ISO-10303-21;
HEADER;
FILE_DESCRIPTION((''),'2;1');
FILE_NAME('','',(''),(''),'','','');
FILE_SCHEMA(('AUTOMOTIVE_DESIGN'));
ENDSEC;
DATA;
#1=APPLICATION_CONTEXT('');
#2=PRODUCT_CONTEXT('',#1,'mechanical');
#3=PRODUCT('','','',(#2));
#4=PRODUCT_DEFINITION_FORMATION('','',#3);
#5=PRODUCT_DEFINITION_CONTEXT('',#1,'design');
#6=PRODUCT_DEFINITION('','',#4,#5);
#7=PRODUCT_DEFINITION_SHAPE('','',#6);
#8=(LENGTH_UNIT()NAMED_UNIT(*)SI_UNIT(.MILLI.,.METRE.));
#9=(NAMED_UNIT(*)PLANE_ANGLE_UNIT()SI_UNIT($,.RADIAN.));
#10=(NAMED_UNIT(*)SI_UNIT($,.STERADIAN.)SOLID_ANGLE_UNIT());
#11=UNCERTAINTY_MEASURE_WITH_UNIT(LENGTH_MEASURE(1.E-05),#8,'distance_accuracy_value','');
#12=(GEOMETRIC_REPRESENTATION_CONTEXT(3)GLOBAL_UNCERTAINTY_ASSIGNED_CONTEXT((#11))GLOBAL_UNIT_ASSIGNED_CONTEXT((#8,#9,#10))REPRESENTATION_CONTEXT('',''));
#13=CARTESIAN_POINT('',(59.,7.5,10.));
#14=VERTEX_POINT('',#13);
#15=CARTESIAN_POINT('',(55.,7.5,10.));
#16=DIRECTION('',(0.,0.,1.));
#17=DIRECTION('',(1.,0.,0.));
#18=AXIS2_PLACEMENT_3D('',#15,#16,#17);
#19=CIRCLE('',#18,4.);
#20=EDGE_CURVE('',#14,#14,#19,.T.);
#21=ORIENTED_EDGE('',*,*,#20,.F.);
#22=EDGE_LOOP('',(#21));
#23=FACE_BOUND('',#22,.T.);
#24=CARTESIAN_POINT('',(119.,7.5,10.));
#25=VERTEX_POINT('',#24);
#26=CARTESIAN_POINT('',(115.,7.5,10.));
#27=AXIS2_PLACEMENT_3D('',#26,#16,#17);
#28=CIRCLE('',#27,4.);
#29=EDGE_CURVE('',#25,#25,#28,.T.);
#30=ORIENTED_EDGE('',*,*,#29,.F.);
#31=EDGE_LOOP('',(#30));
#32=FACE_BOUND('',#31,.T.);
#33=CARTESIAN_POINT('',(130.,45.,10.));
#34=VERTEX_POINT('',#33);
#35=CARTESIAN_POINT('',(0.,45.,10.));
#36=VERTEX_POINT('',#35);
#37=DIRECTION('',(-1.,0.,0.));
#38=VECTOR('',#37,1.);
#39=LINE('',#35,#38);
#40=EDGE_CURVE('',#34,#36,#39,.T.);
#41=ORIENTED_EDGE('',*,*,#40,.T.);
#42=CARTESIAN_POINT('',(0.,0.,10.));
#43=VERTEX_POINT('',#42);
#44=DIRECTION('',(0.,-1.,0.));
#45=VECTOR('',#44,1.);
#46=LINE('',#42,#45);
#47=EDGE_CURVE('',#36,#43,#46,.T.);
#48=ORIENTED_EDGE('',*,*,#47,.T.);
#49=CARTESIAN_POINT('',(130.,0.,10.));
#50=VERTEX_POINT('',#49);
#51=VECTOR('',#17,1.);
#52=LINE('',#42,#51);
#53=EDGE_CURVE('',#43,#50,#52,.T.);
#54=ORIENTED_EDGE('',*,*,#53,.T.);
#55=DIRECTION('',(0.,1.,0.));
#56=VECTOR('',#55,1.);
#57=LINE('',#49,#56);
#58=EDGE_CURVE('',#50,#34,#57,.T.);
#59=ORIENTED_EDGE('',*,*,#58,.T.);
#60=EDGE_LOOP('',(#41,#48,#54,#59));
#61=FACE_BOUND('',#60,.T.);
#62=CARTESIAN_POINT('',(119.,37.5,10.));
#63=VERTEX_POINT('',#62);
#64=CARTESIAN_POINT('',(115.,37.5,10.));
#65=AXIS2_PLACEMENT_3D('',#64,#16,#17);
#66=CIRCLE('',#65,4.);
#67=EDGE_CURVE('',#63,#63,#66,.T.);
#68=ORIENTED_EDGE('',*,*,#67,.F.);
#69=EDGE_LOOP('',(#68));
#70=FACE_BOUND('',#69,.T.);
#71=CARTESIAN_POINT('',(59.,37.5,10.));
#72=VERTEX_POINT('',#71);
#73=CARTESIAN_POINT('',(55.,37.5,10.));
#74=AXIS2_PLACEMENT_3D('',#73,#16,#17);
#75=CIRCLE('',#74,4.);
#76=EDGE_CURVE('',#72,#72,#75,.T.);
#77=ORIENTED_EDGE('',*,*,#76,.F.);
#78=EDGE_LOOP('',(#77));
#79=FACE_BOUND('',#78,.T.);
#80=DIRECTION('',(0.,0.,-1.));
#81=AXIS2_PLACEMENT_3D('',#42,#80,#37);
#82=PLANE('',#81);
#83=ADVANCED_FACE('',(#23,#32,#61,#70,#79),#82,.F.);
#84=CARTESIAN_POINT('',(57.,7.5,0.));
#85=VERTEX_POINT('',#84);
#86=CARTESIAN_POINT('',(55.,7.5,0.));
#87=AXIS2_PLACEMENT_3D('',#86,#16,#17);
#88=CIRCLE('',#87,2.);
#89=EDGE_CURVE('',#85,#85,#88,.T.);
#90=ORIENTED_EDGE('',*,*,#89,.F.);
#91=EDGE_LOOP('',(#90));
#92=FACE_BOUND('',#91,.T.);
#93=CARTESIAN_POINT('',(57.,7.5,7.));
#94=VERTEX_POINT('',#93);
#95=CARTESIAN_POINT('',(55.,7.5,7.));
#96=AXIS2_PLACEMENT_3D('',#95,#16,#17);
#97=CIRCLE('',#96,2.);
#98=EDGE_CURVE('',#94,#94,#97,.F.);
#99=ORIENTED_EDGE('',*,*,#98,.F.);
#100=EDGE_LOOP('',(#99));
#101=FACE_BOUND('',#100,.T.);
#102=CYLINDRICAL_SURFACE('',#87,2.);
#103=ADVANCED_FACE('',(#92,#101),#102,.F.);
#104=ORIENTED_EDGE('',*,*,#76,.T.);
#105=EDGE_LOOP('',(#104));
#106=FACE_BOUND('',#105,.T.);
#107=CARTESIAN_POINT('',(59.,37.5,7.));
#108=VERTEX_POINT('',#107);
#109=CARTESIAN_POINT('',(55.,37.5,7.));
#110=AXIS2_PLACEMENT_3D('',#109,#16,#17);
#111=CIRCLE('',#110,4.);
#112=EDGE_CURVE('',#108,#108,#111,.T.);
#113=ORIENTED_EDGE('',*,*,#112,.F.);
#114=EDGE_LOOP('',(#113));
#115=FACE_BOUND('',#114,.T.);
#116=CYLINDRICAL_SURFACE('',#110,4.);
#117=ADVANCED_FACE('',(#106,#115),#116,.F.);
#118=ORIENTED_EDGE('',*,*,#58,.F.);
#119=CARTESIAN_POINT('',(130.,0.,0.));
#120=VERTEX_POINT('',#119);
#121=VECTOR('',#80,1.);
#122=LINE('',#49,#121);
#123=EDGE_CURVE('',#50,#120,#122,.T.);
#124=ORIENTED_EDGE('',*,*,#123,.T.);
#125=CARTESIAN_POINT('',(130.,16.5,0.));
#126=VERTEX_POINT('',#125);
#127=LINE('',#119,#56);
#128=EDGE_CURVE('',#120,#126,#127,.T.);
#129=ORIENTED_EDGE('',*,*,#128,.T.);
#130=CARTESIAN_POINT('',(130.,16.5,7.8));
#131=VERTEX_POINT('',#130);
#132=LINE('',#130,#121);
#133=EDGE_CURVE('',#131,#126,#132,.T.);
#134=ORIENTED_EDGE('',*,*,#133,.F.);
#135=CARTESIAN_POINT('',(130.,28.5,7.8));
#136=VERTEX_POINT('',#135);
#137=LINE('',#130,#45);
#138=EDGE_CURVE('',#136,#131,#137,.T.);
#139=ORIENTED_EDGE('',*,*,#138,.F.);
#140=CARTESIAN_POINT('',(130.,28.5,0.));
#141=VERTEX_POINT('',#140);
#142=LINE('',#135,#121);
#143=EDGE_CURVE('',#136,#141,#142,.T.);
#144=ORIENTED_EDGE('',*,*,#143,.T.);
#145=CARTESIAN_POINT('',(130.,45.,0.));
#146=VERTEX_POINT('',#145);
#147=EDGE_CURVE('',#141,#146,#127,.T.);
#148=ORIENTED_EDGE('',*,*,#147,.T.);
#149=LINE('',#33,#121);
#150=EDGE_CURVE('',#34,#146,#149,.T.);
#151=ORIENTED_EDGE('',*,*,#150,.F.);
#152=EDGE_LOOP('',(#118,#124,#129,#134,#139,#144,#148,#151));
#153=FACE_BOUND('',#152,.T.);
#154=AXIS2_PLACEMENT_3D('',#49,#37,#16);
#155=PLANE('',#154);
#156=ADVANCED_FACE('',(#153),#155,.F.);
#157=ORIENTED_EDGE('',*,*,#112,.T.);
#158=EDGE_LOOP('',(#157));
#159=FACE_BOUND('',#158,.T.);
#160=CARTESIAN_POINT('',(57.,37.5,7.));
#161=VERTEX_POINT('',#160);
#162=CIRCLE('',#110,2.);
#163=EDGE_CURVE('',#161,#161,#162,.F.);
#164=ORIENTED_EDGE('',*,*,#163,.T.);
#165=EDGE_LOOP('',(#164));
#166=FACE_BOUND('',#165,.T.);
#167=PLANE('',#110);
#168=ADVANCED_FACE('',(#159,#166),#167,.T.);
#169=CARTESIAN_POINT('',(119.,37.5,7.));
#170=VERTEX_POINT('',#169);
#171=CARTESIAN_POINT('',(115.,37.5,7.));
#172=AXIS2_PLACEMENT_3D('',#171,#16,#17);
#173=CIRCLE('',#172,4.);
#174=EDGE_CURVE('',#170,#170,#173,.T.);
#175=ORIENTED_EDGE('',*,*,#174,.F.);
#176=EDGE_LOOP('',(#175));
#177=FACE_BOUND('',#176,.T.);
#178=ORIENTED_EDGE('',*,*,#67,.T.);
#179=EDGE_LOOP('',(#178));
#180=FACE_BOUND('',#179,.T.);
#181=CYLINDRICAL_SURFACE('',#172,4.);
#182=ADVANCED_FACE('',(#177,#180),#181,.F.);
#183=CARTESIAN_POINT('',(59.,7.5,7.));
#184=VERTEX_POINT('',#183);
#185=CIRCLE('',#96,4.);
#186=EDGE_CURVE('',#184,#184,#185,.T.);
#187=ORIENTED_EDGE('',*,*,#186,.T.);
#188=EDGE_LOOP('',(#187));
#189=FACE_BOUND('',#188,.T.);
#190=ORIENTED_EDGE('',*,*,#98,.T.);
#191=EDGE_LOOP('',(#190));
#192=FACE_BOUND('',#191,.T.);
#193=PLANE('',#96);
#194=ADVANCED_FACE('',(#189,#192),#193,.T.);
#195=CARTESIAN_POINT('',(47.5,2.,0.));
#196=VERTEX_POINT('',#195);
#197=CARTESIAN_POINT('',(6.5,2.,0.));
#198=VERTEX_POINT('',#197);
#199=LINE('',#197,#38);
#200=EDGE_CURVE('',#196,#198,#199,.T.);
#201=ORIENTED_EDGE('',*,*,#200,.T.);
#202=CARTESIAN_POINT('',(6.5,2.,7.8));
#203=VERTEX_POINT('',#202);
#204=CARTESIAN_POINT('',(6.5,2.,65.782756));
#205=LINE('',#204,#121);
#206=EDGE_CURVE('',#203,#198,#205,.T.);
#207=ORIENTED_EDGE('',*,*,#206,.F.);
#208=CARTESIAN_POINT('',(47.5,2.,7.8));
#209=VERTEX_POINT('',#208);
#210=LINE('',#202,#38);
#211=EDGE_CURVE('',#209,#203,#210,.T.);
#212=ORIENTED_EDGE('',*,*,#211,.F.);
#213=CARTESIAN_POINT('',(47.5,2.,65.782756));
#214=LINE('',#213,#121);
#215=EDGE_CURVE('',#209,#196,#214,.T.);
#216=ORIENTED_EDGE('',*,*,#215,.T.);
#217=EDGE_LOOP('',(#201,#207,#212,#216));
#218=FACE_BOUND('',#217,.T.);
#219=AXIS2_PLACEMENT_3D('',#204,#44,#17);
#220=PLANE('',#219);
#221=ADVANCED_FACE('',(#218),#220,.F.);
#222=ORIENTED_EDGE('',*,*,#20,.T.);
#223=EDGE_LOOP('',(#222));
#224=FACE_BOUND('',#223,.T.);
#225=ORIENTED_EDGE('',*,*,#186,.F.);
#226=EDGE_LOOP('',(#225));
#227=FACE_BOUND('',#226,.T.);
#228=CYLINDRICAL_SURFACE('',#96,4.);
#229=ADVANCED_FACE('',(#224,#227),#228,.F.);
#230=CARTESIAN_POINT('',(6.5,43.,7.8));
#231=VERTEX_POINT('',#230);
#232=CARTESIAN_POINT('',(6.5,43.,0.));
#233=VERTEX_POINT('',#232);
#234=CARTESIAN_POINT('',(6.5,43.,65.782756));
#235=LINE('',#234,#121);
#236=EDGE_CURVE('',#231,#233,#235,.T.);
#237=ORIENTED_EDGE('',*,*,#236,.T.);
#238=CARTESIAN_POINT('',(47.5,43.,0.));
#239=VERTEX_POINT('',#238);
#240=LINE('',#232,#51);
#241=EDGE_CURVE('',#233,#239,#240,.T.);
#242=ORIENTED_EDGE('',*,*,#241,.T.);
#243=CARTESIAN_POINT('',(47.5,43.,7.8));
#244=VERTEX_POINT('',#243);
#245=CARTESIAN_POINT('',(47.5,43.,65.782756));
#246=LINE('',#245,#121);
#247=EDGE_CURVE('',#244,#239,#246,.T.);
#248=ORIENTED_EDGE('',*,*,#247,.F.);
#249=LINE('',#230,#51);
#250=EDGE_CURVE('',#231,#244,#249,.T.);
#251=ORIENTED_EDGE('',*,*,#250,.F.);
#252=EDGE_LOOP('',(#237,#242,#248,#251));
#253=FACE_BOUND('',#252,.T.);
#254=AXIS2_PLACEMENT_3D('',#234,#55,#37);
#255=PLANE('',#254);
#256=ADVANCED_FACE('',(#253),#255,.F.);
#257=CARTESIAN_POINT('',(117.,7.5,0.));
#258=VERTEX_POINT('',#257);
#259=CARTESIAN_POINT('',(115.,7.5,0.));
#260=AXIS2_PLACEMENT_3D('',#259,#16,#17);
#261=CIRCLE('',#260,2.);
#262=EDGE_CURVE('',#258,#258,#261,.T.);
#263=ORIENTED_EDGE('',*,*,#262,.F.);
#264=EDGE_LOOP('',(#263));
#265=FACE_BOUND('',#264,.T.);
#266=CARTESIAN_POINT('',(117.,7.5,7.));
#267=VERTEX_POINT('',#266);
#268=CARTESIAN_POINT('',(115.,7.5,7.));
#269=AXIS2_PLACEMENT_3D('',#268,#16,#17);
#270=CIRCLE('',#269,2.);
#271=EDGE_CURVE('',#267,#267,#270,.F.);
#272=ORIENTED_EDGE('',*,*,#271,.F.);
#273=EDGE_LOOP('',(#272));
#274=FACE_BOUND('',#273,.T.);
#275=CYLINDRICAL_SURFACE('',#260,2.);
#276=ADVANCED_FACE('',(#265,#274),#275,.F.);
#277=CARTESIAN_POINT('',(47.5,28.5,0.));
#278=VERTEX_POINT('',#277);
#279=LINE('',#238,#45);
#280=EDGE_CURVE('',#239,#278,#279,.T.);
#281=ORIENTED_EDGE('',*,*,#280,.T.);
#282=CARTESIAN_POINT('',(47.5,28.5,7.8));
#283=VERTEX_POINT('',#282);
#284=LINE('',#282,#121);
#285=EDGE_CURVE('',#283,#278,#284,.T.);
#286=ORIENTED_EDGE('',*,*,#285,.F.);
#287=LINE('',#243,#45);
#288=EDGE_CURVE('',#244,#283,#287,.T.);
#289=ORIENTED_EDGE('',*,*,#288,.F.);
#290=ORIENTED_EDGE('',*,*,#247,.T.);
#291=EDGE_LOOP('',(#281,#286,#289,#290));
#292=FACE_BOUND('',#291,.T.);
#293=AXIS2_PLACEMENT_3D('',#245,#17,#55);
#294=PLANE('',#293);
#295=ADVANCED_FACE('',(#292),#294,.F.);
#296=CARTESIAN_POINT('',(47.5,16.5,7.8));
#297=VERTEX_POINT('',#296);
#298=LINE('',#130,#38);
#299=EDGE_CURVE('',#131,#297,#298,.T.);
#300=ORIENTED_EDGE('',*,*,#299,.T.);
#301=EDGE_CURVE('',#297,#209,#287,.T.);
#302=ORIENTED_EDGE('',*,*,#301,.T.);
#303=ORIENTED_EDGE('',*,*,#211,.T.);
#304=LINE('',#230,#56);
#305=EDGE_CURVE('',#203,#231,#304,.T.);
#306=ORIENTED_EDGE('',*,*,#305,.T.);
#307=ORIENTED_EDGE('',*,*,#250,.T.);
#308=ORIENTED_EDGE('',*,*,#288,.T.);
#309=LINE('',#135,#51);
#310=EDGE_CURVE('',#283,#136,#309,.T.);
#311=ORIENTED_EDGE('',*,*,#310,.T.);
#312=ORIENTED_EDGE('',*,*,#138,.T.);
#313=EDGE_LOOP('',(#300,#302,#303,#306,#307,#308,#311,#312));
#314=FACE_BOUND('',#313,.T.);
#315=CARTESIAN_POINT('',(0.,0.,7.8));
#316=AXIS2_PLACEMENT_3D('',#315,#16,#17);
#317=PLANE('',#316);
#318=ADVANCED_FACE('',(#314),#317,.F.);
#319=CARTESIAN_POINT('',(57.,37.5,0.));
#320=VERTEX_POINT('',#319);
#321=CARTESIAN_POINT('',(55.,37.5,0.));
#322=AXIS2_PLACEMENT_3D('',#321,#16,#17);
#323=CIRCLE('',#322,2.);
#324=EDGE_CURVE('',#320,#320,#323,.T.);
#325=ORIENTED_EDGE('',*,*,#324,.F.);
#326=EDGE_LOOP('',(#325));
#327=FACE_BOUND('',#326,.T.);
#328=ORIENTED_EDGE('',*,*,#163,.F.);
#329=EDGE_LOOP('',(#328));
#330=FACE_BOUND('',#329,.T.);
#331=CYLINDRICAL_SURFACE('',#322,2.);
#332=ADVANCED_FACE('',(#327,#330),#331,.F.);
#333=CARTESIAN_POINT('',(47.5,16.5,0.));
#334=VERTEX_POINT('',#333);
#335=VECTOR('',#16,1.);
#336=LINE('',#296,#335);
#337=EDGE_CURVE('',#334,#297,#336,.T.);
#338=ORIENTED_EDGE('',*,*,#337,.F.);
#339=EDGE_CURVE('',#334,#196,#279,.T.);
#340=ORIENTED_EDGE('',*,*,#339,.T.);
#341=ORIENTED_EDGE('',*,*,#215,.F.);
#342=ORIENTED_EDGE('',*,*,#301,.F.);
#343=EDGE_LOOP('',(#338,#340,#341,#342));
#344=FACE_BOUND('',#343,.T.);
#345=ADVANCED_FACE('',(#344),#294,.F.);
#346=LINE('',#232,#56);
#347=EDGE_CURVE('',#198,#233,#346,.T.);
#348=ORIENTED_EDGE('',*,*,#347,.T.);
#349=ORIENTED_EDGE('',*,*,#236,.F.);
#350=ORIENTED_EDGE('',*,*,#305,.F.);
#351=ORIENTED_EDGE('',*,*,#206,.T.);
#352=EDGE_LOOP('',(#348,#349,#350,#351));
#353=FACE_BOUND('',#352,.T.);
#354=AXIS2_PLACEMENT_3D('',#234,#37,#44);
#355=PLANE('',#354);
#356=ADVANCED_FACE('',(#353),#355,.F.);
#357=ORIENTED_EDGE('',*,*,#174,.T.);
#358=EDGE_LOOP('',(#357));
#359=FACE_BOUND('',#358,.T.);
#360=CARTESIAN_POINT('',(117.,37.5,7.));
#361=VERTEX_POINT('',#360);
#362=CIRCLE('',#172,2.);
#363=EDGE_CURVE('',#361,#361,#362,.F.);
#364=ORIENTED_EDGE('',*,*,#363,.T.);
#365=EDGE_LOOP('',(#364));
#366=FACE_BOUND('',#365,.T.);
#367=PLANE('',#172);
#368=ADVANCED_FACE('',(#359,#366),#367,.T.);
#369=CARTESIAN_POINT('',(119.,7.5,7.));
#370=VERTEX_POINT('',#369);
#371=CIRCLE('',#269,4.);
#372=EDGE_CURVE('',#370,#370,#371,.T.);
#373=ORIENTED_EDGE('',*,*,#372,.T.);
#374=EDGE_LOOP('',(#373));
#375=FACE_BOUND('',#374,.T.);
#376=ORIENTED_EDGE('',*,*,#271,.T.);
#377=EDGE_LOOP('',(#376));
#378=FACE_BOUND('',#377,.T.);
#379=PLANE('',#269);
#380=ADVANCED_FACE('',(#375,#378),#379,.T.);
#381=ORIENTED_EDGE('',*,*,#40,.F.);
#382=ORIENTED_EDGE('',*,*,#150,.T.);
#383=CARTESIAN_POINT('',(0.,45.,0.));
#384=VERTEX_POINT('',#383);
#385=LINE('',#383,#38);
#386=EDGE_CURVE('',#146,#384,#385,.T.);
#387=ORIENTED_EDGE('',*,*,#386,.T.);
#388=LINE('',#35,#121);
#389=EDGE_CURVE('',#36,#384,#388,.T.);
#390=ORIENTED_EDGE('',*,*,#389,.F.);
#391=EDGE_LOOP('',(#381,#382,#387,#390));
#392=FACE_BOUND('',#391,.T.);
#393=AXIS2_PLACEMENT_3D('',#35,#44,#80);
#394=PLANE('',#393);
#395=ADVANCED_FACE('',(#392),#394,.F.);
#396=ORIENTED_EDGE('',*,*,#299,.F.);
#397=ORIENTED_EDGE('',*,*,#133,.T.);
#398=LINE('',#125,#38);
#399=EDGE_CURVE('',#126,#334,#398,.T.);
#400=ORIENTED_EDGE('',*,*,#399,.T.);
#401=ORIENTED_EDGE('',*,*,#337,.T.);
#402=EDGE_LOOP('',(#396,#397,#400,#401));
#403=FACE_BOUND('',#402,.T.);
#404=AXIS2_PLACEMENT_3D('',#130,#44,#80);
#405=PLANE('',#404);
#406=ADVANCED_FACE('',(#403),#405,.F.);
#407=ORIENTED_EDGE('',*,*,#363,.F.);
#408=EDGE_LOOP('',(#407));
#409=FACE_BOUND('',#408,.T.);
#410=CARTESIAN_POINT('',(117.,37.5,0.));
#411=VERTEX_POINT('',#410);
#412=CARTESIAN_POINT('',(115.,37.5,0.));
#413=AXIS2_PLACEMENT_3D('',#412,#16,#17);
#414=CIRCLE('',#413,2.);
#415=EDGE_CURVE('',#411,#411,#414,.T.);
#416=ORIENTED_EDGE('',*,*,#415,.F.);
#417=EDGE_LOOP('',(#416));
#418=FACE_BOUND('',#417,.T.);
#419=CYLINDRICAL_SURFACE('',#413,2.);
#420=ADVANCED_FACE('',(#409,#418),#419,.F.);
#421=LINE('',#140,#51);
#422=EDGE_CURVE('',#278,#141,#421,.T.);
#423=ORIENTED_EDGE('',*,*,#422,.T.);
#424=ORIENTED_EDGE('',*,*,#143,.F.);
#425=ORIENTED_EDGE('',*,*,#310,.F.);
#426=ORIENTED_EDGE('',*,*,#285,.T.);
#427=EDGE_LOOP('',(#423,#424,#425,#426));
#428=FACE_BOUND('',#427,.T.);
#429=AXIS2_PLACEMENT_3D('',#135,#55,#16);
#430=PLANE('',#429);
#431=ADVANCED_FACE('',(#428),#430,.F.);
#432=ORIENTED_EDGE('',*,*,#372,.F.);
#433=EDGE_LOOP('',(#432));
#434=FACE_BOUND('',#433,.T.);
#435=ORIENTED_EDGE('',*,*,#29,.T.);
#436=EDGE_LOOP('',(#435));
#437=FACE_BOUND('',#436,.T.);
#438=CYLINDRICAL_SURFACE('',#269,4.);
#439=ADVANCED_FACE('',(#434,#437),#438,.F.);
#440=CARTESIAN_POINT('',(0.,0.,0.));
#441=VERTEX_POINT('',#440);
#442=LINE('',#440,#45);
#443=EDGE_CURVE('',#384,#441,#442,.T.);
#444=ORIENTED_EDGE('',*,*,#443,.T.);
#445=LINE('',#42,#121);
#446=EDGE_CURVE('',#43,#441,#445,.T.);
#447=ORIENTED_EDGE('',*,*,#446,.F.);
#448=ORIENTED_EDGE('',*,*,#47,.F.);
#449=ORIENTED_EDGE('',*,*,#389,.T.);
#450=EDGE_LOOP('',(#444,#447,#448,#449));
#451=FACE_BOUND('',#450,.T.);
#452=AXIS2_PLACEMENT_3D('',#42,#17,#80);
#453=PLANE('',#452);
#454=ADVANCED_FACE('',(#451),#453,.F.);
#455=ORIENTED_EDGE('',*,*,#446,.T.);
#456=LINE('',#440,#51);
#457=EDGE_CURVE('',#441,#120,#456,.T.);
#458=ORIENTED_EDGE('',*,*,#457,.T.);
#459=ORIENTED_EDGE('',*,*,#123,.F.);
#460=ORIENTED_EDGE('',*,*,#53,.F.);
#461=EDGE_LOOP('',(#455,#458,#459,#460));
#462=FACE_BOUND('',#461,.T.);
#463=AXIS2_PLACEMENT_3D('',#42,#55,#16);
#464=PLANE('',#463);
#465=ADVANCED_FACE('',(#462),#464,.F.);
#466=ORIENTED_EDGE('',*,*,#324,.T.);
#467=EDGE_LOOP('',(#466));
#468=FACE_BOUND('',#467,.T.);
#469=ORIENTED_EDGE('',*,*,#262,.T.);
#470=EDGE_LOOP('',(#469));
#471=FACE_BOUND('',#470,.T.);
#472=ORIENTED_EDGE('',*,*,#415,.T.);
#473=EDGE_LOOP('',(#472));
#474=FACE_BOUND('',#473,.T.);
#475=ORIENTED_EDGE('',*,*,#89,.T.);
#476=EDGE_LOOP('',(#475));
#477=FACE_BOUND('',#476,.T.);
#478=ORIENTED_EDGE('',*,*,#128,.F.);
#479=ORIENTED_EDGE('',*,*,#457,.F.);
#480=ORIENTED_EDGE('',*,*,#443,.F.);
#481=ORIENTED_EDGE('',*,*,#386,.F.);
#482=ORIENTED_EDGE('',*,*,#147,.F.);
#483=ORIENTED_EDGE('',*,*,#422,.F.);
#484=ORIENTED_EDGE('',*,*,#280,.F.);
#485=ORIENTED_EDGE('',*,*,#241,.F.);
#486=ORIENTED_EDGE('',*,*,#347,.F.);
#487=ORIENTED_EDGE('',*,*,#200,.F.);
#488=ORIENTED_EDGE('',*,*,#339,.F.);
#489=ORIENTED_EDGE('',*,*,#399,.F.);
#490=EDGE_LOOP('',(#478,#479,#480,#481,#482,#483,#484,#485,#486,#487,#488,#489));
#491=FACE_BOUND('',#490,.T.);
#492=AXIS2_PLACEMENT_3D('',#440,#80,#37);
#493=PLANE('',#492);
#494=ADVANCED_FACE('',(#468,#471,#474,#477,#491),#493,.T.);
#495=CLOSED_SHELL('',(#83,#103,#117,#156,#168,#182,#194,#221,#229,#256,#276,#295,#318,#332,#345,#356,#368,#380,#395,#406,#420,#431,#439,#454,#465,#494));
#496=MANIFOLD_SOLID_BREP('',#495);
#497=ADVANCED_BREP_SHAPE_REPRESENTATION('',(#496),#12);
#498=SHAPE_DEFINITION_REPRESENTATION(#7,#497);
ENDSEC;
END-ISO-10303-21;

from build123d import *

# Parameters (mm, degrees)
SKETCH1_W           = 130
SKETCH1_H           = 45
BOSS_EXTRUDE1_DEPTH = 10
SKETCH2_W           = 110
SKETCH2_H           = 12
CUT_EXTRUDE1_DEPTH  = 7.8
SKETCH4_R           = 2
CUT_EXTRUDE3_DEPTH  = 11
SKETCH5_R           = 4
CUT_EXTRUDE4_DEPTH  = 3
SKETCH6_W           = 41
SKETCH6_H           = 41
CUT_EXTRUDE5_DEPTH  = 7.8


with BuildPart() as part:
    # Sketch1 → Boss-Extrude1 (new body)
    with BuildSketch(Plane.XY):
        with Locations((65, 22.5)):
            Rectangle(SKETCH1_W, SKETCH1_H)
    extrude(amount=BOSS_EXTRUDE1_DEPTH)

    # Sketch2 → Cut-Extrude1 (cut)
    with BuildSketch(Plane(origin=(0, 0, 0), x_dir=(-1, 0, 0), z_dir=(0, 0, -1))):
        with Locations((-75, 22.5)):
            Rectangle(SKETCH2_W, SKETCH2_H)
    extrude(amount=-CUT_EXTRUDE1_DEPTH, mode=Mode.SUBTRACT)

    # Sketch4 → Cut-Extrude3 (cut, through all)
    with BuildSketch(Plane.XY.offset(10)):
        with Locations((55, 37.5)):
            Circle(SKETCH4_R)
        with Locations((115, 37.5)):
            Circle(SKETCH4_R)
        with Locations((115, 7.5)):
            Circle(SKETCH4_R)
        with Locations((55, 7.5)):
            Circle(SKETCH4_R)
    extrude(amount=-CUT_EXTRUDE3_DEPTH, mode=Mode.SUBTRACT)

    # Sketch5 → Cut-Extrude4 (cut)
    with BuildSketch(Plane.XY.offset(10)):
        with Locations((55, 37.5)):
            Circle(SKETCH5_R)
        with Locations((115, 37.5)):
            Circle(SKETCH5_R)
        with Locations((115, 7.5)):
            Circle(SKETCH5_R)
        with Locations((55, 7.5)):
            Circle(SKETCH5_R)
    extrude(amount=-CUT_EXTRUDE4_DEPTH, mode=Mode.SUBTRACT)

    # Sketch6 → Cut-Extrude5 (cut)
    with BuildSketch(Plane(origin=(0, 0, 0), x_dir=(-1, 0, 0), z_dir=(0, 0, -1))):
        with Locations((-27, 22.5)):
            Rectangle(SKETCH6_W, SKETCH6_H)
    extrude(amount=-CUT_EXTRUDE5_DEPTH, mode=Mode.SUBTRACT)


solid = part.part
